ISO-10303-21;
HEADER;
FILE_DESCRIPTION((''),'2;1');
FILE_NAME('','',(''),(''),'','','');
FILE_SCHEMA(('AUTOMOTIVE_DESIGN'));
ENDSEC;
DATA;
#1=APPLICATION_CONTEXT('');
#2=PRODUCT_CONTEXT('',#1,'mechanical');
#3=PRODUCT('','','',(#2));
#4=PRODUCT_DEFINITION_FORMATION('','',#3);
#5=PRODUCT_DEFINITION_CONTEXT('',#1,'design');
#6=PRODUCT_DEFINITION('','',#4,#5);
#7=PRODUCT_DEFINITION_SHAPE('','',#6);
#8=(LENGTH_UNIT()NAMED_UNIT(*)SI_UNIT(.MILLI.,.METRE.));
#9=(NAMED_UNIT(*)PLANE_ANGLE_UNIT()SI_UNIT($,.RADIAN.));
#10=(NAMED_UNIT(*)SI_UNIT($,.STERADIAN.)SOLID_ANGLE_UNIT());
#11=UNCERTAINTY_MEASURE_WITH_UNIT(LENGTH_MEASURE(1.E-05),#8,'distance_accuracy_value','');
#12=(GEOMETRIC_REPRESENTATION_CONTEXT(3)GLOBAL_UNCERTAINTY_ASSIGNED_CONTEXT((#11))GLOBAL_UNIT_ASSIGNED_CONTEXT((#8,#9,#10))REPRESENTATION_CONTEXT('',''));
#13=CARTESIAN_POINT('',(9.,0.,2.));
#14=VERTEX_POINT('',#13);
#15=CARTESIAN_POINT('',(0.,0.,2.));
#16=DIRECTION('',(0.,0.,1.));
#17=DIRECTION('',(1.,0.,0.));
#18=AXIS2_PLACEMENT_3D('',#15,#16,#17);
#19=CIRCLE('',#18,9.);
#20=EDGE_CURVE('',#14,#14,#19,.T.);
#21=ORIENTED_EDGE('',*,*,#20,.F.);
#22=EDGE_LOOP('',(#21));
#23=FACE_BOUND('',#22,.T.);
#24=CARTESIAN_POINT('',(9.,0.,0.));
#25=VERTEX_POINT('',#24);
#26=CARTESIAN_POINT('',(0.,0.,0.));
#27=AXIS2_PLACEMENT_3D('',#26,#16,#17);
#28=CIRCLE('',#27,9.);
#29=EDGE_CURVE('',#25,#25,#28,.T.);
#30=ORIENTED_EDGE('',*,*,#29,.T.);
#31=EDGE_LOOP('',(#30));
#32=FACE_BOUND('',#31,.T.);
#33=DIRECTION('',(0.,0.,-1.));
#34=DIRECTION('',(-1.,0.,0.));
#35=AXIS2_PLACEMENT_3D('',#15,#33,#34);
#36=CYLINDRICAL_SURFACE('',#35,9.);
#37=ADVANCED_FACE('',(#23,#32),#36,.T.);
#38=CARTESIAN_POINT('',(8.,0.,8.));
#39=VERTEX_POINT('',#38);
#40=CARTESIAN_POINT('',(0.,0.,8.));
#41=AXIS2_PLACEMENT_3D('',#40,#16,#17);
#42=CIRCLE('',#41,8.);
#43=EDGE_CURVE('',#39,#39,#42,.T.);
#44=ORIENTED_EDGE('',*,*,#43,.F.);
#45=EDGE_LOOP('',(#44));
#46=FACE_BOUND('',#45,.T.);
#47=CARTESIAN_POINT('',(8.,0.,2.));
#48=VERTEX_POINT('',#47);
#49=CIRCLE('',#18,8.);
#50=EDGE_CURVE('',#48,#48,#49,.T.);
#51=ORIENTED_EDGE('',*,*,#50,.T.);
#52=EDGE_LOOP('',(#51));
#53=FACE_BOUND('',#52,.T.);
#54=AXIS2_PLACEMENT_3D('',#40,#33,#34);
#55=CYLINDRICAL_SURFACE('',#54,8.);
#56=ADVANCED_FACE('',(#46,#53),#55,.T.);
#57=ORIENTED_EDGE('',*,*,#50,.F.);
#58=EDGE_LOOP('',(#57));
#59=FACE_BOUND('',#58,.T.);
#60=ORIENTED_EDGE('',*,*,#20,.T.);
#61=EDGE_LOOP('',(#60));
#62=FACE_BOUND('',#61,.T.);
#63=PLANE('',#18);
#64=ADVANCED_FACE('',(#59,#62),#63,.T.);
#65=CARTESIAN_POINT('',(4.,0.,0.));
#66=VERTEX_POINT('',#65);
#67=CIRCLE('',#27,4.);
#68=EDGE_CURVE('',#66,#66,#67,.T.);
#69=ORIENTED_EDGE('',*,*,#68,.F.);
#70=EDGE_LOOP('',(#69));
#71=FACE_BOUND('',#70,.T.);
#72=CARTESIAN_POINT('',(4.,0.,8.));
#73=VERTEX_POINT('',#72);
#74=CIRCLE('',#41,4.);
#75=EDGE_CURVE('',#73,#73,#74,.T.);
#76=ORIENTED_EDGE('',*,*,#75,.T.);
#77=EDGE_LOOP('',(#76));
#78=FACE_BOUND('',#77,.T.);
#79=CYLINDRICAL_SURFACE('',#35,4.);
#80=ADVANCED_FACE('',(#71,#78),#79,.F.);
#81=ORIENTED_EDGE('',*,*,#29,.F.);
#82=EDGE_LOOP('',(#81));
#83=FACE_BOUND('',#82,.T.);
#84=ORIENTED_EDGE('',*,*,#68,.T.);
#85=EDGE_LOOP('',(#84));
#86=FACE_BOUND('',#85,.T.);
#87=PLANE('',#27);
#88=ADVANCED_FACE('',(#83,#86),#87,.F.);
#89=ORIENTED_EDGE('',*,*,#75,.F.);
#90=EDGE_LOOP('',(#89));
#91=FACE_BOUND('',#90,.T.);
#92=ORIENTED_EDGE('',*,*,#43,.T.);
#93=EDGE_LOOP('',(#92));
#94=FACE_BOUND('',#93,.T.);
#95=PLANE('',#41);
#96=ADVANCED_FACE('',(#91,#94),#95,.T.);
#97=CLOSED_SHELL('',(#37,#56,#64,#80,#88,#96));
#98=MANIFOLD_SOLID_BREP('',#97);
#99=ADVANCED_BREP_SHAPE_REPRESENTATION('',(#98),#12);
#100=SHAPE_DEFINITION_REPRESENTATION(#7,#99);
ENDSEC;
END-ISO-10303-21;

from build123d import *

# Parameters (mm, degrees)
SKETCH_1_R      = 9
SKETCH_1_R_2    = 4
EXTRUDE_1_DEPTH = 2
SKETCH_2_R      = 8
SKETCH_2_R_2    = 4
EXTRUDE_2_DEPTH = 6


with BuildPart() as part:
    # 草图1 → 凸台-拉伸1 (new body)
    with BuildSketch(Plane.XY):
        Circle(SKETCH_1_R)
        Circle(SKETCH_1_R_2, mode=Mode.SUBTRACT)
    extrude(amount=EXTRUDE_1_DEPTH)

    # 草图2 → 凸台-拉伸2 (add)
    with BuildSketch(Plane.XY.offset(2)):
        Circle(SKETCH_2_R)
        Circle(SKETCH_2_R_2, mode=Mode.SUBTRACT)
    extrude(amount=EXTRUDE_2_DEPTH)


solid = part.part
